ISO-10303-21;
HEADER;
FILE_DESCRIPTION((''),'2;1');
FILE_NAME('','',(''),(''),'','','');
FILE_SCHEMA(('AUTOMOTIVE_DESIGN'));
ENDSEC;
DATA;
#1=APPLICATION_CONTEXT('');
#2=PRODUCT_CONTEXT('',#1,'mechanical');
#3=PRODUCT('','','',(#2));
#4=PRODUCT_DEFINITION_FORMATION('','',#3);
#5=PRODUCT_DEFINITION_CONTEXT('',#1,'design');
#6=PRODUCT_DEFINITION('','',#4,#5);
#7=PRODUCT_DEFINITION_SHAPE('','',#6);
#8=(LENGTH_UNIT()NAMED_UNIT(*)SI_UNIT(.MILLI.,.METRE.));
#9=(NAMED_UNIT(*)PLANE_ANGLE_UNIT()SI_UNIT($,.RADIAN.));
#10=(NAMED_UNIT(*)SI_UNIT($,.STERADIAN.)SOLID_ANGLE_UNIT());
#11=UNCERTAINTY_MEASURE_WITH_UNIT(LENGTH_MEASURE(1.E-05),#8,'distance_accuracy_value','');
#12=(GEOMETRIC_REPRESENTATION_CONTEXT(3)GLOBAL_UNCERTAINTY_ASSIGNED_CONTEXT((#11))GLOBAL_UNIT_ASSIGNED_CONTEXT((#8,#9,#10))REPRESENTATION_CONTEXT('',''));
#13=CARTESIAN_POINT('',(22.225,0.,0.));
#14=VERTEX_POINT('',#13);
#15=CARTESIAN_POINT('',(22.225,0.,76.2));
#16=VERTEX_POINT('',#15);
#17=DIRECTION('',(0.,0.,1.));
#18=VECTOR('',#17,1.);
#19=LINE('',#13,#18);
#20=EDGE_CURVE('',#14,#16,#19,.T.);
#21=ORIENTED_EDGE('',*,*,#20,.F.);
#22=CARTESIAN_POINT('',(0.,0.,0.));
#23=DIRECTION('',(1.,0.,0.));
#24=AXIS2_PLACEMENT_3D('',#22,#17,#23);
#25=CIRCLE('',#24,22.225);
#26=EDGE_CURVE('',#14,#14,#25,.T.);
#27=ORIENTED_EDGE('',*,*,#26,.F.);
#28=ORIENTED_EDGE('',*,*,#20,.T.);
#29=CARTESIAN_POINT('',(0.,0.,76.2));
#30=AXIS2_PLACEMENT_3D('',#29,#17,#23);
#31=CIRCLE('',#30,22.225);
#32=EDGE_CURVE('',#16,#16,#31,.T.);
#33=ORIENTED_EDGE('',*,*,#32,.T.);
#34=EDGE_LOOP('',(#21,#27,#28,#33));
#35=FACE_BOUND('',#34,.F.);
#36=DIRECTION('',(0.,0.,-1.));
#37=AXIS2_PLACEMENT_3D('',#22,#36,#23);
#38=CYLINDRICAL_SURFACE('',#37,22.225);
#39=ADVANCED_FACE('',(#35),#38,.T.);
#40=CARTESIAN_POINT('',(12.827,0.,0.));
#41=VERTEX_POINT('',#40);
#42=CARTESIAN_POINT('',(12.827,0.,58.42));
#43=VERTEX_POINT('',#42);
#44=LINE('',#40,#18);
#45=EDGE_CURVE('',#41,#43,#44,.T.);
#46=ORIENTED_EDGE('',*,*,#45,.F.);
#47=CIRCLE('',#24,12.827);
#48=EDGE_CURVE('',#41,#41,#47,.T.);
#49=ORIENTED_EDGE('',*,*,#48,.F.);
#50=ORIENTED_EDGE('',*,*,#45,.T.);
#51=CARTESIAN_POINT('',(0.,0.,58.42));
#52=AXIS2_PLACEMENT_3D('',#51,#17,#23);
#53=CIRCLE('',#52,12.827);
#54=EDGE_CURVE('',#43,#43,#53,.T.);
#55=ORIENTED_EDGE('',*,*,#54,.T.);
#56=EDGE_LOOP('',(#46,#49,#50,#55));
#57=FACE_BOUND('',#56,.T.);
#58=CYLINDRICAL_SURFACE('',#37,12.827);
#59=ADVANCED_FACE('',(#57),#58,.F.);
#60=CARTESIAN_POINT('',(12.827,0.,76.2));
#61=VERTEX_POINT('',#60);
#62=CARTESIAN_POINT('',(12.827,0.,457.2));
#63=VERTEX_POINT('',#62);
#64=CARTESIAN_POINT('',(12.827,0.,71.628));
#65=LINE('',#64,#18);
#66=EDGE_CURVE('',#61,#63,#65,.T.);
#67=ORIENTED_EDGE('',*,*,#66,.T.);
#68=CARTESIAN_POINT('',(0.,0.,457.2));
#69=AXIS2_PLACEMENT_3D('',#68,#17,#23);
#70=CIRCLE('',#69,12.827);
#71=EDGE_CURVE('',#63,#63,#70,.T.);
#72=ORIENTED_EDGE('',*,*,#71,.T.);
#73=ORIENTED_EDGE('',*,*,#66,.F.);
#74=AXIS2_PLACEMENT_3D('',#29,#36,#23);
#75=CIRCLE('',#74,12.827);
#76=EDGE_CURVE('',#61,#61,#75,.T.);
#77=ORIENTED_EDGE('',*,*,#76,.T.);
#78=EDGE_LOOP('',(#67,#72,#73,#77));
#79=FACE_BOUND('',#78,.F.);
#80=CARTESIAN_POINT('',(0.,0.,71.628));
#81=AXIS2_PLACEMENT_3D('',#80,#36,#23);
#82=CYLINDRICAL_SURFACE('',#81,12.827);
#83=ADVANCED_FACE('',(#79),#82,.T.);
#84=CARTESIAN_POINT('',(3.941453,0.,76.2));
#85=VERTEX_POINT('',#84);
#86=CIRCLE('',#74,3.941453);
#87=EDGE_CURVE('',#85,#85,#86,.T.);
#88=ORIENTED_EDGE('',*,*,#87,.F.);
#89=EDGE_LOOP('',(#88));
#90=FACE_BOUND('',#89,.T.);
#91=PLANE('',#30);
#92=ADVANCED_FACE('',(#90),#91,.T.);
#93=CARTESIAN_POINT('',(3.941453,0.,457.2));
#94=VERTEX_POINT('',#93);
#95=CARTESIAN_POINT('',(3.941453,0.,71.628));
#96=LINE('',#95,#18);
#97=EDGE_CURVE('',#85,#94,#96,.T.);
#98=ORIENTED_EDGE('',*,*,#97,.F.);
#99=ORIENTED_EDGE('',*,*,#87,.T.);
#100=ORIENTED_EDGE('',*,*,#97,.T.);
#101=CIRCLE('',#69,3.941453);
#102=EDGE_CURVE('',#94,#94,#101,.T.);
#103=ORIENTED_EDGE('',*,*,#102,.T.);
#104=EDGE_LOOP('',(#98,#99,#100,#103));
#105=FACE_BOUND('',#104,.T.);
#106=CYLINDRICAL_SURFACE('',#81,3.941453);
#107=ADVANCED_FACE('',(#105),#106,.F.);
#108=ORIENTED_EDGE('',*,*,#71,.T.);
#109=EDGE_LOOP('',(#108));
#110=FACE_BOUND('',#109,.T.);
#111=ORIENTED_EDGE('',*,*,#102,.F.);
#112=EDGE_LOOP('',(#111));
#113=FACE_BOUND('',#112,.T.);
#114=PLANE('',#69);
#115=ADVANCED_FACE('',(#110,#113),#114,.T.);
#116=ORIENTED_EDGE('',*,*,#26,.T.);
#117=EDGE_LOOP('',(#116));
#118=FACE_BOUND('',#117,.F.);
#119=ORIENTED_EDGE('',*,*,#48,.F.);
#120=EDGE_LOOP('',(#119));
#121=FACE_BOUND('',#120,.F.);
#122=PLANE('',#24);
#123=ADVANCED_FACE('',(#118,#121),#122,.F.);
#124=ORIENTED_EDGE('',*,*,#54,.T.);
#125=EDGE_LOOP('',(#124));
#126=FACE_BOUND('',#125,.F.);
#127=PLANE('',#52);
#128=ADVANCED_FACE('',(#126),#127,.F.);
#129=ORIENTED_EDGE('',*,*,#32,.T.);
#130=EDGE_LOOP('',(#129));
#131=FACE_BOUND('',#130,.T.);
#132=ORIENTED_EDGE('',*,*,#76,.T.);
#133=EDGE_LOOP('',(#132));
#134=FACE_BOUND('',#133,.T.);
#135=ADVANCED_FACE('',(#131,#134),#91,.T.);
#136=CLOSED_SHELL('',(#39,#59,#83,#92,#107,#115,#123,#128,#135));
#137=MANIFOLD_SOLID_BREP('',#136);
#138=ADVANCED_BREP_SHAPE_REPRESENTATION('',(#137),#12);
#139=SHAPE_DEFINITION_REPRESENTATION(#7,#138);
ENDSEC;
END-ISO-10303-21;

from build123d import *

# Parameters (mm, degrees)
F0_R     = 22.225
F0_R_2   = 12.827
F0_R_3   = 3.9414525169
F1_DEPTH = 76.2
F2_DEPTH = 58.42
F3_START = 71.628
F3_DEPTH = 385.572


with BuildPart() as f1:
    # F0 (on Top) → F1 (new body)
    with BuildSketch(Plane.XY):
        Circle(F0_R)
        Circle(F0_R_2, mode=Mode.SUBTRACT)
        Circle(F0_R_2)
        Circle(F0_R_3, mode=Mode.SUBTRACT)
        Circle(F0_R_3)
    extrude(amount=F1_DEPTH)

    # F0 (on Top) → F2 (cut)
    with BuildSketch(Plane.XY):
        Circle(F0_R_2)
        Circle(F0_R_3, mode=Mode.SUBTRACT)
        Circle(F0_R_3)
    extrude(amount=F2_DEPTH, mode=Mode.SUBTRACT)

    # F0 (on Top) → F3 (join)
    with BuildSketch(Plane.XY.offset(F3_START)):
        Circle(F0_R_2)
        Circle(F0_R_3, mode=Mode.SUBTRACT)
    extrude(amount=F3_DEPTH)


solid = f1.part
